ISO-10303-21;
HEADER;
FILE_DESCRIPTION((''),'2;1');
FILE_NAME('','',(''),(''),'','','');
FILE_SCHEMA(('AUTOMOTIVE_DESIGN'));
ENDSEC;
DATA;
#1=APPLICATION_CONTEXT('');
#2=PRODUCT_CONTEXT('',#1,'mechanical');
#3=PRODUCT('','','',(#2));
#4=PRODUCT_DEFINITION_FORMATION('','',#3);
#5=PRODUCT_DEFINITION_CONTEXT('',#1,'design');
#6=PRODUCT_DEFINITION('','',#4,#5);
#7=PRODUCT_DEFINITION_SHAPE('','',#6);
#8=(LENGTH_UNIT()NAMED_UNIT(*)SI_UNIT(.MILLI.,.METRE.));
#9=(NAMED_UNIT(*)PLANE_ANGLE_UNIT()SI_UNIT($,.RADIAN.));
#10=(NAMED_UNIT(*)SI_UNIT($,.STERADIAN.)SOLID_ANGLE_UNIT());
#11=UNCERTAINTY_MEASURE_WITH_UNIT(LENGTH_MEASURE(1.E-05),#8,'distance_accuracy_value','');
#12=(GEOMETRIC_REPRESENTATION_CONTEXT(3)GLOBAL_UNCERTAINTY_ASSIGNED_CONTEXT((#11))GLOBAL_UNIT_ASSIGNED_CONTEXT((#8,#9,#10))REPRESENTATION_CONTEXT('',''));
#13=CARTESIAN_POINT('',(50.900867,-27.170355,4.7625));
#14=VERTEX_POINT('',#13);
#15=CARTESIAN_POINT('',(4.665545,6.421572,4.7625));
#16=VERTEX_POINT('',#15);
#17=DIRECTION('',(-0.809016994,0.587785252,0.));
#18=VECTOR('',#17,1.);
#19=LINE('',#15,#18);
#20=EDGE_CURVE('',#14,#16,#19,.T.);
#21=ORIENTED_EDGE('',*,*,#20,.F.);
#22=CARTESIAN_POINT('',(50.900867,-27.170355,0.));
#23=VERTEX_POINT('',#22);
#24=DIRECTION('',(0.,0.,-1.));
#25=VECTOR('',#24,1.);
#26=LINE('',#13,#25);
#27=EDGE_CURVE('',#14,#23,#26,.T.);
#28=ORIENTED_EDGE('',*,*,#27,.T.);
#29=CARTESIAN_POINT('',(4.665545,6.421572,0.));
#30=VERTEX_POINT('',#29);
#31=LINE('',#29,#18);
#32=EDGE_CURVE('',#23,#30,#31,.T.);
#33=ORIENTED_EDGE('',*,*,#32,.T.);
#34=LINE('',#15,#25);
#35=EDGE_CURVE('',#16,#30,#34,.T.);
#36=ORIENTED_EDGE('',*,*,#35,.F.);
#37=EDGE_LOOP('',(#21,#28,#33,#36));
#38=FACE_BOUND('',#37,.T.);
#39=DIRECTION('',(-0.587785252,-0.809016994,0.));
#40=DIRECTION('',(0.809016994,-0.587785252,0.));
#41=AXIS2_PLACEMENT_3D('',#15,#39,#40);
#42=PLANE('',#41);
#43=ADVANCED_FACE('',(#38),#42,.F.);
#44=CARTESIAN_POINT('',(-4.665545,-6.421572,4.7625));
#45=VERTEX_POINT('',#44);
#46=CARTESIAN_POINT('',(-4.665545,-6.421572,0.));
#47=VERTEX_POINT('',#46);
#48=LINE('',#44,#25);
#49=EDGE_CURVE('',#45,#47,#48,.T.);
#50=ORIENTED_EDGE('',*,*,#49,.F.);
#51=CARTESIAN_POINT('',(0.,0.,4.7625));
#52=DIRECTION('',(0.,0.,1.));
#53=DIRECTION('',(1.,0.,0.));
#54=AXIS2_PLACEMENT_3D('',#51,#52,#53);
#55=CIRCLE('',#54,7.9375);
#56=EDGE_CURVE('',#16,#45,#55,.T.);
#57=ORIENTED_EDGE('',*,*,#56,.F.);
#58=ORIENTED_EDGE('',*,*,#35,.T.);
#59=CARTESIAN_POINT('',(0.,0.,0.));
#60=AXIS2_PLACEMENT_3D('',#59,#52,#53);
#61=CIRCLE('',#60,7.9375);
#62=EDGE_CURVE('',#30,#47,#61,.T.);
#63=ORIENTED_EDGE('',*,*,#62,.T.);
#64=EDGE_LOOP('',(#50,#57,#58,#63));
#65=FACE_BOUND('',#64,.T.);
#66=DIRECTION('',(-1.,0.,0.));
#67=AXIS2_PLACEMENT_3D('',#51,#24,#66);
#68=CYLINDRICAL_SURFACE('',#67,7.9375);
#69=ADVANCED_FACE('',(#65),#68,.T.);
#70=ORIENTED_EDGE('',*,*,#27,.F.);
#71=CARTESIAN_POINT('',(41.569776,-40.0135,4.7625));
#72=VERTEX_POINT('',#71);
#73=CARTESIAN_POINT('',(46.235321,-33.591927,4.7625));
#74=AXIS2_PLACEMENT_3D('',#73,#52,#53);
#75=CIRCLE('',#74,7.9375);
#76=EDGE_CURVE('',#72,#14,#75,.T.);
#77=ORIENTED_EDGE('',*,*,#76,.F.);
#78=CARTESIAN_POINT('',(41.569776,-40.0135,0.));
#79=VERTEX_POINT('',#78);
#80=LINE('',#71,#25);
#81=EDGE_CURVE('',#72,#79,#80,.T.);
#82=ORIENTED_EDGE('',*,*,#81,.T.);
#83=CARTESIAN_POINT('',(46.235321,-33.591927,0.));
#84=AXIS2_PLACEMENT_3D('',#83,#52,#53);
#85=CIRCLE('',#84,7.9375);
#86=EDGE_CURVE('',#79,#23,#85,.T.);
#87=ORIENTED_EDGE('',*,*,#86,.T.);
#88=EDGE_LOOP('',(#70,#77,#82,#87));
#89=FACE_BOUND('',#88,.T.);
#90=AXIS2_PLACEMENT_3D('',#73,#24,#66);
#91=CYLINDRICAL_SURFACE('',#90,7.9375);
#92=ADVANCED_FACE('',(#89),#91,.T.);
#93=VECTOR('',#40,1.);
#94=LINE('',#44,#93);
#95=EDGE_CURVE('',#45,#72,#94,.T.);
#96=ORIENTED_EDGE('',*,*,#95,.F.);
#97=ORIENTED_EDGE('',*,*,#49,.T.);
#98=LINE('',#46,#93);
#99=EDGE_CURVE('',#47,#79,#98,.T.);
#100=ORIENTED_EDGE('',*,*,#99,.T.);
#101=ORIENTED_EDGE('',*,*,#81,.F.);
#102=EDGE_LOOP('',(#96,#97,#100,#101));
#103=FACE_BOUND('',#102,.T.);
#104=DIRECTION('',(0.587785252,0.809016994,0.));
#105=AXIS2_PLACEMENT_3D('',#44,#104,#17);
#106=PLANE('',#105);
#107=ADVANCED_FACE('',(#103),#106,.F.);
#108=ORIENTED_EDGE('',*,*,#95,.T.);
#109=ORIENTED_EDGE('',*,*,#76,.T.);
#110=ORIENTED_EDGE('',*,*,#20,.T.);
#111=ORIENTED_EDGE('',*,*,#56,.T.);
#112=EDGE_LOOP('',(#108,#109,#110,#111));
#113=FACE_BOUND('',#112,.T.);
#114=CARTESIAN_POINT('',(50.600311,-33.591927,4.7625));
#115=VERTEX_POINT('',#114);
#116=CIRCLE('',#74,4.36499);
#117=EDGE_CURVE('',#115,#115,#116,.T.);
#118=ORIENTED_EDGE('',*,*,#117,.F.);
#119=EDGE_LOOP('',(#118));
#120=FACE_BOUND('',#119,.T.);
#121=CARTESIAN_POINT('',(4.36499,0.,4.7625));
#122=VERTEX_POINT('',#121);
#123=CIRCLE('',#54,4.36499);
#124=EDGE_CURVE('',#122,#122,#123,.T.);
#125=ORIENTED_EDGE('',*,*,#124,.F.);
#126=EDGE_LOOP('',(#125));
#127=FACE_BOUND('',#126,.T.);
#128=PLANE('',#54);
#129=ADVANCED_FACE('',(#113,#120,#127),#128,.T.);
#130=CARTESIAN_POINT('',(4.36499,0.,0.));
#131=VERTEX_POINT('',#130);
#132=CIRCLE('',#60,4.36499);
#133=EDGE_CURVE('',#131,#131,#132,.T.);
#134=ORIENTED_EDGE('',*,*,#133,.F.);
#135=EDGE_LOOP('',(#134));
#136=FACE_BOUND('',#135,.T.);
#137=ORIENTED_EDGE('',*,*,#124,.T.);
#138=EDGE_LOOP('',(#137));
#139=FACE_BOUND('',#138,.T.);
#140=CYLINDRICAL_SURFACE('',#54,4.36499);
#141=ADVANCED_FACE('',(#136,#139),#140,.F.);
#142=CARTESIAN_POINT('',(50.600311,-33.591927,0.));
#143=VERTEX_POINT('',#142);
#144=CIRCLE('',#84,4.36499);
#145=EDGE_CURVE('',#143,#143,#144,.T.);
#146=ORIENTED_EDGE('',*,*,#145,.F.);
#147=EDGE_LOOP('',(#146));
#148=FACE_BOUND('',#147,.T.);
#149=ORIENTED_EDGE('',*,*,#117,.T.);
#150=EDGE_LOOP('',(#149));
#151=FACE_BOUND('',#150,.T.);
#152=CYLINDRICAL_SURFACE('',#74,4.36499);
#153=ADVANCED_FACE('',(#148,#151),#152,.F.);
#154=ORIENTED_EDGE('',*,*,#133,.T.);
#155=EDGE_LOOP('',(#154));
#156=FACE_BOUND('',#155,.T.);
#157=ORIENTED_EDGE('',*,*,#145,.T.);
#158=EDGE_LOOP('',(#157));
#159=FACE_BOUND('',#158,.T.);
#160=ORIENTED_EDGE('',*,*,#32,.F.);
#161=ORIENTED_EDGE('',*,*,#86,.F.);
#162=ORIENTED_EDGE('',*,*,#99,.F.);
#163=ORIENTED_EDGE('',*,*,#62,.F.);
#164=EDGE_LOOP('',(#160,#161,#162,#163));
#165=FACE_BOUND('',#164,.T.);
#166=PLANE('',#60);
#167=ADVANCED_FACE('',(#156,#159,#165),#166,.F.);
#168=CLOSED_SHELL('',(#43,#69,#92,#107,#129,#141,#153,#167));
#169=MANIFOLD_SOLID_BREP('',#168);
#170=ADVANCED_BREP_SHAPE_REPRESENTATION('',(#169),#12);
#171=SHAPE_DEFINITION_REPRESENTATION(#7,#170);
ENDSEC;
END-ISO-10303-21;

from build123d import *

# Parameters (mm, degrees)
BOSS_EXTRUDE1_DEPTH          = 4.7625
F_5_16_CLEARANCE_HOLE1_D     = 8.72998
F_5_16_CLEARANCE_HOLE2_D     = 8.72998
F_5_16_CLEARANCE_HOLE2_DEPTH = 50.8
F_5_16_CLEARANCE_HOLE2_TIP   = 2.622750593


with BuildPart() as part:
    # Sketch1 → Boss-Extrude1 (new body)
    with BuildSketch(Plane.XY):
        with BuildLine():
            Line((4.66554544, 6.421572393), (50.900866669, -27.170354776))
            ThreePointArc((50.900866669, -27.170354776), (52.656893621, -38.257472609), (41.569775788, -40.013499561))
            Line((41.569775788, -40.013499561), (-4.66554544, -6.421572393))
            ThreePointArc((-4.66554544, -6.421572393), (-6.421572393, 4.66554544), (4.66554544, 6.421572393))
        make_face()
    extrude(amount=BOSS_EXTRUDE1_DEPTH)

    # 5/16 Clearance Hole1 (through all)
    with Locations(Plane.XY.offset(4.7625)):
        with Locations((0, 0), (46.235321229, -33.591927169)):
            Hole(F_5_16_CLEARANCE_HOLE1_D / 2)

    # 5/16 Clearance Hole2
    with Locations(Plane(origin=(-478.115792966, -1361.199382297, 4.7625), x_dir=(0.9364927793764423, 0.3506868605690643, 0), z_dir=(0, 0, 1))):
        with Locations((956.625522808, 1059.411749502)):
            Hole(F_5_16_CLEARANCE_HOLE2_D / 2, depth=F_5_16_CLEARANCE_HOLE2_DEPTH)
            with Locations((0, 0, -(F_5_16_CLEARANCE_HOLE2_DEPTH + F_5_16_CLEARANCE_HOLE2_TIP / 2))):  # 118° drill point
                Cone(0, F_5_16_CLEARANCE_HOLE2_D / 2, F_5_16_CLEARANCE_HOLE2_TIP, mode=Mode.SUBTRACT)


solid = part.part
